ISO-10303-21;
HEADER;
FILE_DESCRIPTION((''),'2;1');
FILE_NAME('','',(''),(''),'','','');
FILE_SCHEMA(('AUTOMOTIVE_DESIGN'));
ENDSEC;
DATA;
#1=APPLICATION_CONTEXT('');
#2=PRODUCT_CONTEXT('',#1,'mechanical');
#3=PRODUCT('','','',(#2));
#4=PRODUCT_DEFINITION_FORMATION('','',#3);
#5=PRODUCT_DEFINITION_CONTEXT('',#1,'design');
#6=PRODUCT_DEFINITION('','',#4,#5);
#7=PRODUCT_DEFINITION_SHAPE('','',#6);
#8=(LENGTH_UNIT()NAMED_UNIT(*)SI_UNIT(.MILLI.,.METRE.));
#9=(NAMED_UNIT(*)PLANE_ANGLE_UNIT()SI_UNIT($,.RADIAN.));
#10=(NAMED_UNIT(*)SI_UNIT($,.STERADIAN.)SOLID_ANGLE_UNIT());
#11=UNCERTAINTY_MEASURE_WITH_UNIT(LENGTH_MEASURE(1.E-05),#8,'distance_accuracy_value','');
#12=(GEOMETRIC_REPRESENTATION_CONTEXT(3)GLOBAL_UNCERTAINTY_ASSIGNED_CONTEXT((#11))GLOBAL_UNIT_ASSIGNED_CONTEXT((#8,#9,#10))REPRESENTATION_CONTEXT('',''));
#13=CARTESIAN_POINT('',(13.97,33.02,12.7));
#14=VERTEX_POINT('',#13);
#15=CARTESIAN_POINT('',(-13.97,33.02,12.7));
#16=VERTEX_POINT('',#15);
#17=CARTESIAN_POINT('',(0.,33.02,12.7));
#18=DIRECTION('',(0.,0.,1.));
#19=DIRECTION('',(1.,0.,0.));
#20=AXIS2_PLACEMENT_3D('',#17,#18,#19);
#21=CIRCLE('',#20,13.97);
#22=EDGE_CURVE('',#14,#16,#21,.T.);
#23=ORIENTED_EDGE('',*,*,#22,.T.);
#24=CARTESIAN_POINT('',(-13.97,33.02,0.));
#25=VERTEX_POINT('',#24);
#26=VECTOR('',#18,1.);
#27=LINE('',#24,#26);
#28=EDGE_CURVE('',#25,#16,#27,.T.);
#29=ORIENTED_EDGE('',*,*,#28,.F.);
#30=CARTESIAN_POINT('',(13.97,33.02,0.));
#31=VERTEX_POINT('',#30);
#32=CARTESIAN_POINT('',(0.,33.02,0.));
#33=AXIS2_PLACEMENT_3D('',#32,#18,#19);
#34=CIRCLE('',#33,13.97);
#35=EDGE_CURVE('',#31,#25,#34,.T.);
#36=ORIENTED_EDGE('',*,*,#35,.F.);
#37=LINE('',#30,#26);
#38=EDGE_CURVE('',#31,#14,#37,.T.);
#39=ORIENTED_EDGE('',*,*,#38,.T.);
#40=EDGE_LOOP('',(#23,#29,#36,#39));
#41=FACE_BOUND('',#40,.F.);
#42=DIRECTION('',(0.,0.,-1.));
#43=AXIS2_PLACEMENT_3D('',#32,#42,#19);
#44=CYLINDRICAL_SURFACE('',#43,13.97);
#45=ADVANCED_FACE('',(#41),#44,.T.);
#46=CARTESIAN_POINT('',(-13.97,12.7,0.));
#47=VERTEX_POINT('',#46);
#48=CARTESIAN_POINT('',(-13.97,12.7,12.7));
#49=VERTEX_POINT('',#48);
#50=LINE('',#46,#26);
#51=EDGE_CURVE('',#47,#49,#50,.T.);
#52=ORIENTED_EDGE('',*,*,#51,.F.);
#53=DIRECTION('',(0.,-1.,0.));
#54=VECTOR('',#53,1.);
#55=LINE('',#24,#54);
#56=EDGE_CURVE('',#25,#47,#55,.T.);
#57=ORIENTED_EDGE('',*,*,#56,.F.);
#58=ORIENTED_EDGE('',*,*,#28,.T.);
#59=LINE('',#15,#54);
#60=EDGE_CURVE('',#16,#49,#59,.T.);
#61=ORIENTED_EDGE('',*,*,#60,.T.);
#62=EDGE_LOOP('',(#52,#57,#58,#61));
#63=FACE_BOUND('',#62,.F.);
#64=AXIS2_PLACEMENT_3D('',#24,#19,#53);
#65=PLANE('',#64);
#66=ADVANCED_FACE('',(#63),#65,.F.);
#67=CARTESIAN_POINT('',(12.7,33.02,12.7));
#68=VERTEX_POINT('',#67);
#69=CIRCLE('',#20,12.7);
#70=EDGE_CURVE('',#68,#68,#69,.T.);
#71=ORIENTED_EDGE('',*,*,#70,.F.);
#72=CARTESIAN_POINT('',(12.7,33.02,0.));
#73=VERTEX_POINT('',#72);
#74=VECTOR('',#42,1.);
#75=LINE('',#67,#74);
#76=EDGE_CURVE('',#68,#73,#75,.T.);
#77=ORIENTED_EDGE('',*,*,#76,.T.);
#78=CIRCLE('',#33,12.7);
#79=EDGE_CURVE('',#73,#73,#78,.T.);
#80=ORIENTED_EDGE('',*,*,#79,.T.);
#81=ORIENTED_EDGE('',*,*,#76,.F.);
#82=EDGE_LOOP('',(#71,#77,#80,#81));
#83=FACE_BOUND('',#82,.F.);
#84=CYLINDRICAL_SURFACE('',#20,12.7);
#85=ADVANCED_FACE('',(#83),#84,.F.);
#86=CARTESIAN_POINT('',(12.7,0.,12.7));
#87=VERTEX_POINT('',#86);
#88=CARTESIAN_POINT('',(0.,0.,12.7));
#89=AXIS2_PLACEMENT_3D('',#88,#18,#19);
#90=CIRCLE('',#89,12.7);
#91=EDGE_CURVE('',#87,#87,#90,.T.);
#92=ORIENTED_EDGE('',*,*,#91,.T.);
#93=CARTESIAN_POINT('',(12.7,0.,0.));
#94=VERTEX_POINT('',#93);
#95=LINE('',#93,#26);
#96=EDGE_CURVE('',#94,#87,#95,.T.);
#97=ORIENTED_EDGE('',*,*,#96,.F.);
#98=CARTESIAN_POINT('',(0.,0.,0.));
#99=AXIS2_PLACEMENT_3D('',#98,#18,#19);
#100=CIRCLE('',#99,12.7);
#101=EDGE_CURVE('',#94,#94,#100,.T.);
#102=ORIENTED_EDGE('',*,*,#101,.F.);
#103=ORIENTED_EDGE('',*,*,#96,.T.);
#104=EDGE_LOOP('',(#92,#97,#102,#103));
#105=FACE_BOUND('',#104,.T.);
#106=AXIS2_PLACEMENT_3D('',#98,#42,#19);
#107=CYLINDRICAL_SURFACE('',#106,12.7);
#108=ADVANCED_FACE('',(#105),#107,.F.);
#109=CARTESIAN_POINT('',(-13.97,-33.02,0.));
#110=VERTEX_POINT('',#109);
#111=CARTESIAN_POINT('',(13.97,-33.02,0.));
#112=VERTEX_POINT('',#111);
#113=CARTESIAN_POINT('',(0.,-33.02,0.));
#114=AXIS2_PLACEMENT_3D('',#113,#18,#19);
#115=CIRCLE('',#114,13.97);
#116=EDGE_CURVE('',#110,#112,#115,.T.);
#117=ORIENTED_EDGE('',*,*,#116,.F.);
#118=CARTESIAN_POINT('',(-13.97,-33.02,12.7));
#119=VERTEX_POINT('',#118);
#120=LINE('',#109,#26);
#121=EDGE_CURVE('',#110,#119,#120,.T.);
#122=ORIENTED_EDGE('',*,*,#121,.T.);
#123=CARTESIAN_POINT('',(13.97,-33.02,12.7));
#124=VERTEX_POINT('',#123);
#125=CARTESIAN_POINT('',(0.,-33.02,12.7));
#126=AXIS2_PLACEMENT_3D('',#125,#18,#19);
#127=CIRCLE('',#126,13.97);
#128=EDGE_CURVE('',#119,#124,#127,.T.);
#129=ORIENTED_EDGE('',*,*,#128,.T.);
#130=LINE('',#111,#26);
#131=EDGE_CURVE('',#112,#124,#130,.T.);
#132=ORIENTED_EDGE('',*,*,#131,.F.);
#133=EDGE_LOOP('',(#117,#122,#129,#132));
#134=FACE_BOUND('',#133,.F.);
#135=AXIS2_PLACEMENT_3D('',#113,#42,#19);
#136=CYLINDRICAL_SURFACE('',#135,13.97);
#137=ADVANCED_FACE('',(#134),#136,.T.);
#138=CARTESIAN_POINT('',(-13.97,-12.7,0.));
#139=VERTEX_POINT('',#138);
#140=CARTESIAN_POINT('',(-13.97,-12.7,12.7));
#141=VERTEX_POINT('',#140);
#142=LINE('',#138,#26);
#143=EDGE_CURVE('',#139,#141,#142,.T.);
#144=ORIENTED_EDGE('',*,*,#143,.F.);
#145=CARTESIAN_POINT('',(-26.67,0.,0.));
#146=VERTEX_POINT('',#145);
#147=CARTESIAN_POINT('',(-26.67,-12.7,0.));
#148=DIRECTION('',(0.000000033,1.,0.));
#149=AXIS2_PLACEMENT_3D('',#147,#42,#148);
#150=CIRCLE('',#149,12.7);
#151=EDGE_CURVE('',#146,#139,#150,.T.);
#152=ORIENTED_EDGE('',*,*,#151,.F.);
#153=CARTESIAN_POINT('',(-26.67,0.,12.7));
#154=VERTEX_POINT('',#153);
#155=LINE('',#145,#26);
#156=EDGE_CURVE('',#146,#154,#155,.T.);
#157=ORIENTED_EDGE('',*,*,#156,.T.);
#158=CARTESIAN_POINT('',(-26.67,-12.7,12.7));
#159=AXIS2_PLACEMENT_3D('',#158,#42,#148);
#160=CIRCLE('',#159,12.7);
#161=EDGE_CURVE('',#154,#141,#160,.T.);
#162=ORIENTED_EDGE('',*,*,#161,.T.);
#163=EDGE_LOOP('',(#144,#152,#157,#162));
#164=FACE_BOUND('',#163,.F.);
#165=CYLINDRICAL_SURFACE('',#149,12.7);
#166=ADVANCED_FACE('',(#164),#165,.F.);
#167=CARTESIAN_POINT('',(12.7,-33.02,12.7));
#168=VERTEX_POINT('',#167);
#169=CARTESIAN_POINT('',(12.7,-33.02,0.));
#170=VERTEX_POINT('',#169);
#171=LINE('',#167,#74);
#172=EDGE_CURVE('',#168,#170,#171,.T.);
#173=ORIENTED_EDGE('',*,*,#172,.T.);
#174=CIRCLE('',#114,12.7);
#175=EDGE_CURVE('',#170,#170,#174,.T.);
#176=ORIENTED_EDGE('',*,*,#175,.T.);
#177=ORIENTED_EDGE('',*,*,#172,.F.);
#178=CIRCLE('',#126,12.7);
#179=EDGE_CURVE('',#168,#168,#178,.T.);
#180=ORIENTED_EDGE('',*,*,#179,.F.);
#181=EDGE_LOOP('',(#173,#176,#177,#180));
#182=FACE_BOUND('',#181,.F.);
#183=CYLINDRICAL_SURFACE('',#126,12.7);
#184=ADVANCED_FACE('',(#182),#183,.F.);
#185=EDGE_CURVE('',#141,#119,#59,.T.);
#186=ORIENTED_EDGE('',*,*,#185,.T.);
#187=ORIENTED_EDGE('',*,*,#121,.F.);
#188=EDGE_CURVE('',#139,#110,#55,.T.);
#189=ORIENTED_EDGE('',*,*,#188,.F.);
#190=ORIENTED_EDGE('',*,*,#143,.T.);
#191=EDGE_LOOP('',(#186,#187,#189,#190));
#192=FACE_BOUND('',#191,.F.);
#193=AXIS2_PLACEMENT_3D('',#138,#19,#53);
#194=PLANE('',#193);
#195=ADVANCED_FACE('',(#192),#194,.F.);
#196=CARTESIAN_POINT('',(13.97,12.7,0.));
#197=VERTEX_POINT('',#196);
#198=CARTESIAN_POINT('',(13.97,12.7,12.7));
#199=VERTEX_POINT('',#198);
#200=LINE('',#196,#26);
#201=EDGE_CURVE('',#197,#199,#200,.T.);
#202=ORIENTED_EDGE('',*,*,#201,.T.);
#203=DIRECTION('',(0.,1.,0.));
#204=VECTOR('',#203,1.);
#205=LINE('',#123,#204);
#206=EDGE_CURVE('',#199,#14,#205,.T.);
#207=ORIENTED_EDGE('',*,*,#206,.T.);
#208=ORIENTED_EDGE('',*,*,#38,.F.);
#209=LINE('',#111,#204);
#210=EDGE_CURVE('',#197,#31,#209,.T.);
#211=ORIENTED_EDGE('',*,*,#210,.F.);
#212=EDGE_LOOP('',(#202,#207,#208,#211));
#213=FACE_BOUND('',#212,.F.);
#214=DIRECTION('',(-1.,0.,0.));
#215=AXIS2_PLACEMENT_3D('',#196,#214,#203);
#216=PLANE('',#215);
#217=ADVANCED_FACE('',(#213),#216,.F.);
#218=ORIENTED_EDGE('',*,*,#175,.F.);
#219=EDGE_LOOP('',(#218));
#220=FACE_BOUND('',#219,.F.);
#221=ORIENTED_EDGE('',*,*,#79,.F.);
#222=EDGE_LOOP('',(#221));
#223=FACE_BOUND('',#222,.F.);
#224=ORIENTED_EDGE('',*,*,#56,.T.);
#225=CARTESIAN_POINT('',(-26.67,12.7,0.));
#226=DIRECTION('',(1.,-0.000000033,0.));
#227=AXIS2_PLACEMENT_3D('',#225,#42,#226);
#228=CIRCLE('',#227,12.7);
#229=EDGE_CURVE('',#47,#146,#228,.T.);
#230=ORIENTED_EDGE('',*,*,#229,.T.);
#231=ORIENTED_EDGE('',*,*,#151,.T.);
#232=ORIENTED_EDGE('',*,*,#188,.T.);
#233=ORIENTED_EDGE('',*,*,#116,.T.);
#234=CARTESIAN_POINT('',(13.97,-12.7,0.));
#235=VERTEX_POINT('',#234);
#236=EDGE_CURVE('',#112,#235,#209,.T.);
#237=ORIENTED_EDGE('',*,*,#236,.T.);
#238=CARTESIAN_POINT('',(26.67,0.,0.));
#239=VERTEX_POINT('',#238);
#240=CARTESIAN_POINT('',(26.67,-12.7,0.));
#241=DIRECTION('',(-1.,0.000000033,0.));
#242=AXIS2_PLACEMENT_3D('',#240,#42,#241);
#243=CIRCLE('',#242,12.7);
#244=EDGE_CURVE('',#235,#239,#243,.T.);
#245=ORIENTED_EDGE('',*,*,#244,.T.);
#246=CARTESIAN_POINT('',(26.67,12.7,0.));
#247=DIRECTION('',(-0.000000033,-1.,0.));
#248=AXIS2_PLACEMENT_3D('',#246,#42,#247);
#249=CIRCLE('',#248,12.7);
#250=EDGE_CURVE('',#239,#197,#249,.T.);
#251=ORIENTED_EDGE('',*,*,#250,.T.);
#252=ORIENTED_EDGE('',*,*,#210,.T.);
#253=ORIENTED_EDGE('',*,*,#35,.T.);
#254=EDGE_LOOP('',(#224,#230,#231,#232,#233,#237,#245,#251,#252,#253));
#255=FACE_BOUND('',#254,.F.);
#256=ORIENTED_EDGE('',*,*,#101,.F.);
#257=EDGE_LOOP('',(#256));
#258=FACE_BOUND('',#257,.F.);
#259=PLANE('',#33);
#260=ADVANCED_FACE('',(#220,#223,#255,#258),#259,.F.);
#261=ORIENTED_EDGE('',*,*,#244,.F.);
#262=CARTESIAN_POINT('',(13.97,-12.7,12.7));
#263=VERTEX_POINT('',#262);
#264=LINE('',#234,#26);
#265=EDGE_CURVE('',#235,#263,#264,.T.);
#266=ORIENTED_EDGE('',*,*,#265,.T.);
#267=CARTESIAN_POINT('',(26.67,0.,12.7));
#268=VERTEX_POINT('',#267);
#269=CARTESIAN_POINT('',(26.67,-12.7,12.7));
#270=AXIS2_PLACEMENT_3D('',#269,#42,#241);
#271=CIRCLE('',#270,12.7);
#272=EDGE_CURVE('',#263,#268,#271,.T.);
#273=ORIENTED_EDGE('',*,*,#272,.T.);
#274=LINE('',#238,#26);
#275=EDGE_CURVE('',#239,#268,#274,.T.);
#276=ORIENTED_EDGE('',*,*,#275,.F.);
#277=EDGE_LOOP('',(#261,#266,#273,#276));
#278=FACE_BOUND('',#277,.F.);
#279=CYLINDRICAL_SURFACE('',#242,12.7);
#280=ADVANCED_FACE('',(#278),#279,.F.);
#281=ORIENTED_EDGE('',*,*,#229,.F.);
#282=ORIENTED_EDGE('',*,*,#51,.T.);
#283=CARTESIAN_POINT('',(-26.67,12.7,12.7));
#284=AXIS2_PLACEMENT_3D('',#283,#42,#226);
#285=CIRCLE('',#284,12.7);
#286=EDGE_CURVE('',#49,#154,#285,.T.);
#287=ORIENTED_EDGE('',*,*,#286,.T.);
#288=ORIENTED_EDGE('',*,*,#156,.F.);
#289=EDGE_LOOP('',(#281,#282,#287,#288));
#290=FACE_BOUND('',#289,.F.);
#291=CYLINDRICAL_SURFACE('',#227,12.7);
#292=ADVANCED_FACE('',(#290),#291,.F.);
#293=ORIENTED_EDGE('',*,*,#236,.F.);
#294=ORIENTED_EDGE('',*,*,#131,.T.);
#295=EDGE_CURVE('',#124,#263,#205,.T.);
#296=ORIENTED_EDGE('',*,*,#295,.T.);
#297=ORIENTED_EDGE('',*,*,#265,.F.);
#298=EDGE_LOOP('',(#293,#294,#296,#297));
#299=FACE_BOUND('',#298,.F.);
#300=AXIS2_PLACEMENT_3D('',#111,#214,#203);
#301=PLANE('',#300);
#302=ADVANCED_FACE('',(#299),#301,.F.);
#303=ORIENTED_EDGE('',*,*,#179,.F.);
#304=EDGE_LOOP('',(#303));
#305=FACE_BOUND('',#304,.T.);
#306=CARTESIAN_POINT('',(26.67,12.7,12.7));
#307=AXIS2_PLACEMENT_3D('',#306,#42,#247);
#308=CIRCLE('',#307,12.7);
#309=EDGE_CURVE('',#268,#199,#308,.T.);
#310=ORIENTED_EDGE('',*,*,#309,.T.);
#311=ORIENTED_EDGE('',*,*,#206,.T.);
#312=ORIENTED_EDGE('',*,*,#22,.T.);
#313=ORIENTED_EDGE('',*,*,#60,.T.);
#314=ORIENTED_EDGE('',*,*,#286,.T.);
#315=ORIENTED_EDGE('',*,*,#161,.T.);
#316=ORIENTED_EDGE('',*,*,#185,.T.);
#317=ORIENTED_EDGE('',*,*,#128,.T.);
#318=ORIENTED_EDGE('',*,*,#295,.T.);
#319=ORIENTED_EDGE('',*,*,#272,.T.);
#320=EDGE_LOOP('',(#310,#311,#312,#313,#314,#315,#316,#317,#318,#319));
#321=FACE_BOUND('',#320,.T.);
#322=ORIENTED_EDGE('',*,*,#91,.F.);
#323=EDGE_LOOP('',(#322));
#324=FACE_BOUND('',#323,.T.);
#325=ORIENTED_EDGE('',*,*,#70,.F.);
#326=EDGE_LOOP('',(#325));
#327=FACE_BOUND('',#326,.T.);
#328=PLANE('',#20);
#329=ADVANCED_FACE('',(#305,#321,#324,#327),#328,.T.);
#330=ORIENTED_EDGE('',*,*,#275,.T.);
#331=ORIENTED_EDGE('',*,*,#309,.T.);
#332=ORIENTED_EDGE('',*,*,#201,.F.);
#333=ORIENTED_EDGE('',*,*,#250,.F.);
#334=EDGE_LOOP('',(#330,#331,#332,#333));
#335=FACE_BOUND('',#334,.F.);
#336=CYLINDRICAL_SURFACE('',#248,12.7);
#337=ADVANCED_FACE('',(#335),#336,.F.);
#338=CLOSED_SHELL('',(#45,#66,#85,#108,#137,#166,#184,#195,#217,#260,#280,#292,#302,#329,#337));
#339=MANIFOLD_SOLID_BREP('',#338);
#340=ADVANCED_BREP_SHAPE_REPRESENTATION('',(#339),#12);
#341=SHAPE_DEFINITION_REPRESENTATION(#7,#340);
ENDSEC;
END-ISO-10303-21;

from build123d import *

# Parameters (mm, degrees)
F0_R     = 12.7
F1_DEPTH = 12.7
F2_R     = 12.7
F3_DEPTH = 25.4


with BuildPart() as f1:
    # F0 (on Top) → F1 (new body)
    with BuildSketch(Plane.XY):
        with BuildLine():
            ThreePointArc((-13.97, 33.02), (0, 19.05), (13.97, 33.02))
            ThreePointArc((13.97, 33.02), (0, 46.99), (-13.97, 33.02))
        make_face()
        with BuildLine():
            Line((13.97, 12.7), (13.97, 33.02))
            ThreePointArc((13.97, 33.02), (0, 19.05), (-13.97, 33.02))
            Line((-13.97, 33.02), (-13.97, 12.7))
            Line((-13.97, 12.7), (-13.97, -12.7))
            Line((-13.97, -12.7), (-13.97, -33.02))
            ThreePointArc((-13.97, -33.02), (0, -19.05), (13.97, -33.02))
            Line((13.97, -33.02), (13.97, -12.7))
            Line((13.97, -12.7), (13.97, 12.7))
        make_face()
        Circle(F0_R, mode=Mode.SUBTRACT)
        with BuildLine():
            ThreePointArc((26.67, 0), (17.689744, 3.719744), (13.97, 12.7))
            Line((13.97, 12.7), (13.97, -12.7))
            ThreePointArc((13.97, -12.7), (17.689744, -3.719744), (26.67, 0))
        make_face()
        with BuildLine():
            Line((-13.97, -12.7), (-13.97, 12.7))
            ThreePointArc((-13.97, 12.7), (-17.689744, 3.719744), (-26.67, 0))
            ThreePointArc((-26.67, 0), (-17.689744, -3.719744), (-13.97, -12.7))
        make_face()
        with BuildLine():
            ThreePointArc((-13.97, -33.02), (0, -46.99), (13.97, -33.02))
            ThreePointArc((13.97, -33.02), (0, -19.05), (-13.97, -33.02))
        make_face()
    extrude(amount=F1_DEPTH)

    # F2 (on face) → F3 (cut)
    with BuildSketch(Plane.XY.offset(12.7)):
        with Locations((0, 33.02)):
            Circle(F2_R)
        with Locations((0, -33.02)):
            Circle(F2_R)
    extrude(amount=-F3_DEPTH, mode=Mode.SUBTRACT)


solid = f1.part
